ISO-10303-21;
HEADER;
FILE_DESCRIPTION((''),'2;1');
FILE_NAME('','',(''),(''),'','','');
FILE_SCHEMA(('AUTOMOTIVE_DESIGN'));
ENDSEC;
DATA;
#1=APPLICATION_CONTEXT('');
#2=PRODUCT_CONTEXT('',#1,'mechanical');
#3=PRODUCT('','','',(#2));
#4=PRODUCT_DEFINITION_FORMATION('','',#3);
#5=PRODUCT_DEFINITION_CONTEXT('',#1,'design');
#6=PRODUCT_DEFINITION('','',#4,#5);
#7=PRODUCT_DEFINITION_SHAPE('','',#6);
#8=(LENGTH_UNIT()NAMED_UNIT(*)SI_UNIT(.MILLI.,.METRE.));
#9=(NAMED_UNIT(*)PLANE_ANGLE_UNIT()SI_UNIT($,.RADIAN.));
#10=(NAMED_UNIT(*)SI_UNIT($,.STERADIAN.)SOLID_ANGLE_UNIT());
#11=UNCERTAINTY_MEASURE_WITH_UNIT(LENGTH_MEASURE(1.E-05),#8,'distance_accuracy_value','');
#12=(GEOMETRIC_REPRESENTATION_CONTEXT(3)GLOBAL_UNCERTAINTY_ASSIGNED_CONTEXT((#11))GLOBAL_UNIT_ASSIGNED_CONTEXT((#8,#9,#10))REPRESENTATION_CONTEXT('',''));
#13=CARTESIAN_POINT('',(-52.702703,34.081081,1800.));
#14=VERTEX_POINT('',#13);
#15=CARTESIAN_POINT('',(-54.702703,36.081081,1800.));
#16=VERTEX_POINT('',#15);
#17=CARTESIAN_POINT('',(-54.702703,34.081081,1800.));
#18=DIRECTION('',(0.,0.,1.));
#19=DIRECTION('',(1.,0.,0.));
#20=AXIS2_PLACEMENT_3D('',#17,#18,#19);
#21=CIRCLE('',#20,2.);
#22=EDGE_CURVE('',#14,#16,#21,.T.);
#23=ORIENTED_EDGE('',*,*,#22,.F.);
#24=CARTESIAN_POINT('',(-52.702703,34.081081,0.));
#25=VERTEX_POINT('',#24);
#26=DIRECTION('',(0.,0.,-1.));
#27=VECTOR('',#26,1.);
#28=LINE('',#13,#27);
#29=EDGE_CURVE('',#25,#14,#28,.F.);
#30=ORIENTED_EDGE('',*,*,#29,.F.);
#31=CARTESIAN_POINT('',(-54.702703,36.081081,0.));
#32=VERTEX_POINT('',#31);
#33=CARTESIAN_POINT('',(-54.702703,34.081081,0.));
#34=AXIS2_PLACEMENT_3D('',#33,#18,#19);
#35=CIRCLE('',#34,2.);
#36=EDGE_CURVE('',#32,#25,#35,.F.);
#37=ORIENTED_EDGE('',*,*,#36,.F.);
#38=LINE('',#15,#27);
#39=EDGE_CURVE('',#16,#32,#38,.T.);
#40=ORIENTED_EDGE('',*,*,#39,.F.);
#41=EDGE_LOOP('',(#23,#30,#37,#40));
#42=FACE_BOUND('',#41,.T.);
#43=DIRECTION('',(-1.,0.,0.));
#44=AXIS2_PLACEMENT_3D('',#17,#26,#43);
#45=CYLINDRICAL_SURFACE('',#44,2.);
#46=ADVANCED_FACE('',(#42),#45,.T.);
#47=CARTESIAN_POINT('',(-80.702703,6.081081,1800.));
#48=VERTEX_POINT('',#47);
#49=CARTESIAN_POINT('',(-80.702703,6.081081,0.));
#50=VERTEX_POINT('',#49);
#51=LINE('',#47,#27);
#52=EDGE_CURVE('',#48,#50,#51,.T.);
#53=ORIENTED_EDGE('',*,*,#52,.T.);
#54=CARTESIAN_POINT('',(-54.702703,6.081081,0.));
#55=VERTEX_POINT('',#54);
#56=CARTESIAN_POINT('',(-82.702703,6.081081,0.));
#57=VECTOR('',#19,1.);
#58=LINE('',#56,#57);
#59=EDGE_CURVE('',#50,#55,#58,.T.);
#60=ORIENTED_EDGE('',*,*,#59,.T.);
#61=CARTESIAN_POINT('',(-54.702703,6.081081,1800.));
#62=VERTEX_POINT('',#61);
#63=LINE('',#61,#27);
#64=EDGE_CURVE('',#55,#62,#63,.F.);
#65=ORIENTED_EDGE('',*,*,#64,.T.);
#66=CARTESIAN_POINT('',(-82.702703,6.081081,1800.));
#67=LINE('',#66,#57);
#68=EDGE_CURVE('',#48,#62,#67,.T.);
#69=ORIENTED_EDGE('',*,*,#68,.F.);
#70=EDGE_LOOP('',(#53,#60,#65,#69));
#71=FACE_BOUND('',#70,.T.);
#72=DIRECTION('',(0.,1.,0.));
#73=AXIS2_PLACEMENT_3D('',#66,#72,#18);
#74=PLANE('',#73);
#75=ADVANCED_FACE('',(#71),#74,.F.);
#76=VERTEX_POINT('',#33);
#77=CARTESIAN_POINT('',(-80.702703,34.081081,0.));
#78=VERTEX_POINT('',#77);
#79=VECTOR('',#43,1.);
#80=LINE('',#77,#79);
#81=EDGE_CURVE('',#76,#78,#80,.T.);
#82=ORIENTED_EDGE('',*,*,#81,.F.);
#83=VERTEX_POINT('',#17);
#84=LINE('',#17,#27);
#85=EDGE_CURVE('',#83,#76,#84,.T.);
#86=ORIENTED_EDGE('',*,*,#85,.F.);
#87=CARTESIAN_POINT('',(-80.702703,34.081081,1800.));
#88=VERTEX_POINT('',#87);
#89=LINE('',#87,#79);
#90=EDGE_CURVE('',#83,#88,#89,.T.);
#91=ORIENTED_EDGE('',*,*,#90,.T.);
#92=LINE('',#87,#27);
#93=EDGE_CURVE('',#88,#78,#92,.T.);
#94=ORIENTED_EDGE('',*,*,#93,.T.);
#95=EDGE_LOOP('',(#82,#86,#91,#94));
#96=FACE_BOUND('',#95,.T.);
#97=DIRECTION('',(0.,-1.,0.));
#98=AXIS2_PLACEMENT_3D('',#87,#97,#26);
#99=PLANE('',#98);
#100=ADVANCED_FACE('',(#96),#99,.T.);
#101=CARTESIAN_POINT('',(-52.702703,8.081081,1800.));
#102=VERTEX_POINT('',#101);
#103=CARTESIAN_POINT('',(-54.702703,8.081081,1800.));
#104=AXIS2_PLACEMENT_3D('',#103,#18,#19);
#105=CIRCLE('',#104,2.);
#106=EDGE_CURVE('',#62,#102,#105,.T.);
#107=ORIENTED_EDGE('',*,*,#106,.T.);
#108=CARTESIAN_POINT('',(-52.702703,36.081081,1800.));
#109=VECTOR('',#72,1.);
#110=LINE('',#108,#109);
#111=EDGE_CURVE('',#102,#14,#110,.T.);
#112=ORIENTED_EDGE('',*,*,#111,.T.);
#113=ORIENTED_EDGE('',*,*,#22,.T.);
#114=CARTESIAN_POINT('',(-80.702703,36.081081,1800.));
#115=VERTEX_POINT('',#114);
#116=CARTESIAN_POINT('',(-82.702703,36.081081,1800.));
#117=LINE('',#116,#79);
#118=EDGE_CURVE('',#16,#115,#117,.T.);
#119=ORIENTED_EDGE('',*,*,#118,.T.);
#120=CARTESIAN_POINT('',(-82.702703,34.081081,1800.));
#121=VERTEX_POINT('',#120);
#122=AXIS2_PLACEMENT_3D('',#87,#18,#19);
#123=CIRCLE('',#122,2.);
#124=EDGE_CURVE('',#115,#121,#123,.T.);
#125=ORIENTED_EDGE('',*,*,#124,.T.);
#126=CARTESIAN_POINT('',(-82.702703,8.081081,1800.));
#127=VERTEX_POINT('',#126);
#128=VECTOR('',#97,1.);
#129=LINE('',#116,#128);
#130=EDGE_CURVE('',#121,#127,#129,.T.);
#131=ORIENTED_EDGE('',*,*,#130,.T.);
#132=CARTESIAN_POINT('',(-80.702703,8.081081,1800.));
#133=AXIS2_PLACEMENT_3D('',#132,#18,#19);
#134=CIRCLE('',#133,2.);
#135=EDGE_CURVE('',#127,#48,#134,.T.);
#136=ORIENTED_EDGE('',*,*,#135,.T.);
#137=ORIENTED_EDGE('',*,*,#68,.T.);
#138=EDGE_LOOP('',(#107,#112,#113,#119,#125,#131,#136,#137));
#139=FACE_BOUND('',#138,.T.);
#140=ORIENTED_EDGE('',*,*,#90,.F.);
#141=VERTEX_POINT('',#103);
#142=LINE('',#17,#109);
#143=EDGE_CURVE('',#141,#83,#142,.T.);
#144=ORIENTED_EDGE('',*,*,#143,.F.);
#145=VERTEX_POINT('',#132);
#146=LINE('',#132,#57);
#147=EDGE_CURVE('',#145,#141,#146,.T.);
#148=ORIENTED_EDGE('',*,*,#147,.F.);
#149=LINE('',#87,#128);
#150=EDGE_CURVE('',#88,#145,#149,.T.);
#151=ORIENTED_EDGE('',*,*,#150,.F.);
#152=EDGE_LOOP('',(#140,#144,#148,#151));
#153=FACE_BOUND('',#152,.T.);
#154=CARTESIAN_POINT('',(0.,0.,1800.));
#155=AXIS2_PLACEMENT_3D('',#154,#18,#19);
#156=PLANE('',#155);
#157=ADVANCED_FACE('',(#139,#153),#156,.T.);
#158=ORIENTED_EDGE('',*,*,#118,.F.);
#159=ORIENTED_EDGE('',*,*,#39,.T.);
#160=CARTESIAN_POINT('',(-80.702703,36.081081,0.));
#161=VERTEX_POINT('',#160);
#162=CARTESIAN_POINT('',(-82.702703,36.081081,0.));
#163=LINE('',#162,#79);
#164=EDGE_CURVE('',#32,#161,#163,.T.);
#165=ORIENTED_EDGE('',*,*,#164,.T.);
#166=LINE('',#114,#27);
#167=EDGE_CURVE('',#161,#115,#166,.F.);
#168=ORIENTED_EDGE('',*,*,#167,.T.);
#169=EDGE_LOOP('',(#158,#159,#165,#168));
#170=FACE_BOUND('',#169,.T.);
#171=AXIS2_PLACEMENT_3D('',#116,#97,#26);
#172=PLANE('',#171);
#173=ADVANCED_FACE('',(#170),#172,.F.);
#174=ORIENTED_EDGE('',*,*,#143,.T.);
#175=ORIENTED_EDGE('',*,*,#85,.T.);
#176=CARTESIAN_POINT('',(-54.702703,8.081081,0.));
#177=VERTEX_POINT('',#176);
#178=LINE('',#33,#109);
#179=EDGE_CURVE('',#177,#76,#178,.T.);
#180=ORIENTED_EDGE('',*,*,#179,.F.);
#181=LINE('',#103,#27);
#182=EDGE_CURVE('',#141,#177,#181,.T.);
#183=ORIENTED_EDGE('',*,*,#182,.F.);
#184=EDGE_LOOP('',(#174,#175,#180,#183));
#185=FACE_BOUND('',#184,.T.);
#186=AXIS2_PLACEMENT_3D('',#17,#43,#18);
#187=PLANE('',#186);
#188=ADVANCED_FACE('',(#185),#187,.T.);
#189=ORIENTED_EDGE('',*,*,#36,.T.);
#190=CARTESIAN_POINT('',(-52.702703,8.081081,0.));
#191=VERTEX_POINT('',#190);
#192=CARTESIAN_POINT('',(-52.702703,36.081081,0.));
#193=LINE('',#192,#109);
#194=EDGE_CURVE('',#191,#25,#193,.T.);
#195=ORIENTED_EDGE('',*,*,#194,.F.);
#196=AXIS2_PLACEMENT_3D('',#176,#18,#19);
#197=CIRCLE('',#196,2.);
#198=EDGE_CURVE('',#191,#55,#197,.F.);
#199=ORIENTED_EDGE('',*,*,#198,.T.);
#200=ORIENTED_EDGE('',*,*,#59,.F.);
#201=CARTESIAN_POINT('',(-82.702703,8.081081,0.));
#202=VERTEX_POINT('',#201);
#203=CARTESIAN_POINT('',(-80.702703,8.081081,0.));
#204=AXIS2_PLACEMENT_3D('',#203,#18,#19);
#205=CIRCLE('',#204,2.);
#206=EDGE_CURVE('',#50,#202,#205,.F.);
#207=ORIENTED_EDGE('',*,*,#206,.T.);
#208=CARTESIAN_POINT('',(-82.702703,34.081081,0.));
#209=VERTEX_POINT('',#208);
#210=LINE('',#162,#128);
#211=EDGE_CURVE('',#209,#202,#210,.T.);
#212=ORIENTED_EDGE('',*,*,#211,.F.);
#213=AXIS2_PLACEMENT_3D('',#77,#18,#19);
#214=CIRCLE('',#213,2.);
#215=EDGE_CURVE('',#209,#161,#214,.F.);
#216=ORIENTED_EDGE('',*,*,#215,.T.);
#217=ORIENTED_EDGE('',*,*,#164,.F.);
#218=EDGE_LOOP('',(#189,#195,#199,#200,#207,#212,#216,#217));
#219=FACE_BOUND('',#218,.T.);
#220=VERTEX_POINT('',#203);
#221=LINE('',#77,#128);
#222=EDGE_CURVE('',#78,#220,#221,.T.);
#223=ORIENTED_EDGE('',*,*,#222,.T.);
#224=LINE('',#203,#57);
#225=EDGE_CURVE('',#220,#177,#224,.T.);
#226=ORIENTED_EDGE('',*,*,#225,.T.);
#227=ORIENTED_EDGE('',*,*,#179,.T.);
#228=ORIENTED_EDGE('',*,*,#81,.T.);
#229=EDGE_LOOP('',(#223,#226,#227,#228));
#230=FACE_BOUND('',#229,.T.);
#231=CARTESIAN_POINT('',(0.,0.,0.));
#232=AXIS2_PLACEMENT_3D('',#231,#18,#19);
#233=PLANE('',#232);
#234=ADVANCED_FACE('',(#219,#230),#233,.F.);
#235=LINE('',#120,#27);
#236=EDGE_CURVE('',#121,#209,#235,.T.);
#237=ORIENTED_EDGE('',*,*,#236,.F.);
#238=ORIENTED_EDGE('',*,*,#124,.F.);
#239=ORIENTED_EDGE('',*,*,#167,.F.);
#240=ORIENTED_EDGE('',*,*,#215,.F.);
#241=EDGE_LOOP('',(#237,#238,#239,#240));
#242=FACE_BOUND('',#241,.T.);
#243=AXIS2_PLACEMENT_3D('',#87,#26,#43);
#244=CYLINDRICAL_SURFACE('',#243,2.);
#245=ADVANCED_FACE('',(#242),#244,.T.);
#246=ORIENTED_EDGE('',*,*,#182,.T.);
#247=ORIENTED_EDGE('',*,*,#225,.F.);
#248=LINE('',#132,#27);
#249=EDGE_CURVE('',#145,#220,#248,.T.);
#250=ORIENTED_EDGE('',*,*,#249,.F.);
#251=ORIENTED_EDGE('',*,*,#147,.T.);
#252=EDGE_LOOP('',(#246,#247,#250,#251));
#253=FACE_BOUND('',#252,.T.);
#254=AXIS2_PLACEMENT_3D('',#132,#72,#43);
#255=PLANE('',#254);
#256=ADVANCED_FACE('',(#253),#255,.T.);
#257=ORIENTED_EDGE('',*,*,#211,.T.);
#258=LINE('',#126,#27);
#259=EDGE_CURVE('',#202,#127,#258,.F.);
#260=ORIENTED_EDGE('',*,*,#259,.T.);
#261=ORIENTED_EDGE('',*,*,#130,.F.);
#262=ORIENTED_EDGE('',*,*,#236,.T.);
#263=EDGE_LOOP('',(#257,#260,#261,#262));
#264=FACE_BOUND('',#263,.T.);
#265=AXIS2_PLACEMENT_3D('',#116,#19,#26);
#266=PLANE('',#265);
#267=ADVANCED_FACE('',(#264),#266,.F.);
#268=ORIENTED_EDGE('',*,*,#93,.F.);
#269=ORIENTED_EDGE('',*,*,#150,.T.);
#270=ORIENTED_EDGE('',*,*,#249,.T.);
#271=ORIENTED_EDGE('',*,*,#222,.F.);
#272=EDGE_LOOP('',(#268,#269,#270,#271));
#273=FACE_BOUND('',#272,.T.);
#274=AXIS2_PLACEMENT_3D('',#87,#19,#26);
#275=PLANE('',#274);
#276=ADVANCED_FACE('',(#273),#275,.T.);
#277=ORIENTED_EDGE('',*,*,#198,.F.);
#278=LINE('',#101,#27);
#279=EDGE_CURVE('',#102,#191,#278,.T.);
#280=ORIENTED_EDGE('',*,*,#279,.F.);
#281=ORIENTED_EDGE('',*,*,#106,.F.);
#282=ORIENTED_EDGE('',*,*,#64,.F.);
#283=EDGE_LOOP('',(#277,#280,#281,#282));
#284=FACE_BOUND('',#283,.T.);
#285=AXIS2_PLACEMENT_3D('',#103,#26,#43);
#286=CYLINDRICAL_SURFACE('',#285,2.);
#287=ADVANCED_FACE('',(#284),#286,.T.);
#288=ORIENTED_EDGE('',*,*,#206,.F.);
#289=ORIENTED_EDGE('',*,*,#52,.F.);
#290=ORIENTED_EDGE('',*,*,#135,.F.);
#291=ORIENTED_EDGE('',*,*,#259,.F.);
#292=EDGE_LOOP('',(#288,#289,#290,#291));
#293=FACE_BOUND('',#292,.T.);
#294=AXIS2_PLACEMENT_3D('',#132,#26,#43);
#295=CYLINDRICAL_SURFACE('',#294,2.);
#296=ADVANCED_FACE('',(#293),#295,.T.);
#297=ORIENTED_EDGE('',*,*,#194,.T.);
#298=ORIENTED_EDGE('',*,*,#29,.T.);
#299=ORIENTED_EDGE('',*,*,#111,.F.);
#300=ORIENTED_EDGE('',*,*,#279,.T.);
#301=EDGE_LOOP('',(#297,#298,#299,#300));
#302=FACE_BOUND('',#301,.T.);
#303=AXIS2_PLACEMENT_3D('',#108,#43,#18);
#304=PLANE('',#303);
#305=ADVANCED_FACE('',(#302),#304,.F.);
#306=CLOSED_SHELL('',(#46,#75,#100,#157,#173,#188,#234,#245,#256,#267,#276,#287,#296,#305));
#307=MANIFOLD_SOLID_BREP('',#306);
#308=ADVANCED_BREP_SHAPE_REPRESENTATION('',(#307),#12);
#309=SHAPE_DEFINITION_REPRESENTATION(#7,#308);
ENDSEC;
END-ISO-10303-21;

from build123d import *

# Parameters (mm, degrees)
SKETCH1_W           = 30
SKETCH1_H           = 30
SKETCH1_W_2         = 26
SKETCH1_H_2         = 26
BOSS_EXTRUDE1_DEPTH = 1800
FILLET1_R           = 2


with BuildPart() as part:
    # Sketch1 → Boss-Extrude1 (new body)
    with BuildSketch(Plane.XY):
        with Locations((-67.702702703, 21.081081081)):
            Rectangle(SKETCH1_W, SKETCH1_H)
        with Locations((-67.702702703, 21.081081081)):
            Rectangle(SKETCH1_W_2, SKETCH1_H_2, mode=Mode.SUBTRACT)
    extrude(amount=BOSS_EXTRUDE1_DEPTH)

    # Fillet1
    fillet1_edges = [part.edges().sort_by_distance(p)[0] for p in [
        (-82.702702703, 36.081081081, 900),
        (-52.702702703, 36.081081081, 900),
        (-52.702702703, 6.081081081, 900),
        (-82.702702703, 6.081081081, 900),
    ]]
    fillet(fillet1_edges, radius=FILLET1_R)


solid = part.part
